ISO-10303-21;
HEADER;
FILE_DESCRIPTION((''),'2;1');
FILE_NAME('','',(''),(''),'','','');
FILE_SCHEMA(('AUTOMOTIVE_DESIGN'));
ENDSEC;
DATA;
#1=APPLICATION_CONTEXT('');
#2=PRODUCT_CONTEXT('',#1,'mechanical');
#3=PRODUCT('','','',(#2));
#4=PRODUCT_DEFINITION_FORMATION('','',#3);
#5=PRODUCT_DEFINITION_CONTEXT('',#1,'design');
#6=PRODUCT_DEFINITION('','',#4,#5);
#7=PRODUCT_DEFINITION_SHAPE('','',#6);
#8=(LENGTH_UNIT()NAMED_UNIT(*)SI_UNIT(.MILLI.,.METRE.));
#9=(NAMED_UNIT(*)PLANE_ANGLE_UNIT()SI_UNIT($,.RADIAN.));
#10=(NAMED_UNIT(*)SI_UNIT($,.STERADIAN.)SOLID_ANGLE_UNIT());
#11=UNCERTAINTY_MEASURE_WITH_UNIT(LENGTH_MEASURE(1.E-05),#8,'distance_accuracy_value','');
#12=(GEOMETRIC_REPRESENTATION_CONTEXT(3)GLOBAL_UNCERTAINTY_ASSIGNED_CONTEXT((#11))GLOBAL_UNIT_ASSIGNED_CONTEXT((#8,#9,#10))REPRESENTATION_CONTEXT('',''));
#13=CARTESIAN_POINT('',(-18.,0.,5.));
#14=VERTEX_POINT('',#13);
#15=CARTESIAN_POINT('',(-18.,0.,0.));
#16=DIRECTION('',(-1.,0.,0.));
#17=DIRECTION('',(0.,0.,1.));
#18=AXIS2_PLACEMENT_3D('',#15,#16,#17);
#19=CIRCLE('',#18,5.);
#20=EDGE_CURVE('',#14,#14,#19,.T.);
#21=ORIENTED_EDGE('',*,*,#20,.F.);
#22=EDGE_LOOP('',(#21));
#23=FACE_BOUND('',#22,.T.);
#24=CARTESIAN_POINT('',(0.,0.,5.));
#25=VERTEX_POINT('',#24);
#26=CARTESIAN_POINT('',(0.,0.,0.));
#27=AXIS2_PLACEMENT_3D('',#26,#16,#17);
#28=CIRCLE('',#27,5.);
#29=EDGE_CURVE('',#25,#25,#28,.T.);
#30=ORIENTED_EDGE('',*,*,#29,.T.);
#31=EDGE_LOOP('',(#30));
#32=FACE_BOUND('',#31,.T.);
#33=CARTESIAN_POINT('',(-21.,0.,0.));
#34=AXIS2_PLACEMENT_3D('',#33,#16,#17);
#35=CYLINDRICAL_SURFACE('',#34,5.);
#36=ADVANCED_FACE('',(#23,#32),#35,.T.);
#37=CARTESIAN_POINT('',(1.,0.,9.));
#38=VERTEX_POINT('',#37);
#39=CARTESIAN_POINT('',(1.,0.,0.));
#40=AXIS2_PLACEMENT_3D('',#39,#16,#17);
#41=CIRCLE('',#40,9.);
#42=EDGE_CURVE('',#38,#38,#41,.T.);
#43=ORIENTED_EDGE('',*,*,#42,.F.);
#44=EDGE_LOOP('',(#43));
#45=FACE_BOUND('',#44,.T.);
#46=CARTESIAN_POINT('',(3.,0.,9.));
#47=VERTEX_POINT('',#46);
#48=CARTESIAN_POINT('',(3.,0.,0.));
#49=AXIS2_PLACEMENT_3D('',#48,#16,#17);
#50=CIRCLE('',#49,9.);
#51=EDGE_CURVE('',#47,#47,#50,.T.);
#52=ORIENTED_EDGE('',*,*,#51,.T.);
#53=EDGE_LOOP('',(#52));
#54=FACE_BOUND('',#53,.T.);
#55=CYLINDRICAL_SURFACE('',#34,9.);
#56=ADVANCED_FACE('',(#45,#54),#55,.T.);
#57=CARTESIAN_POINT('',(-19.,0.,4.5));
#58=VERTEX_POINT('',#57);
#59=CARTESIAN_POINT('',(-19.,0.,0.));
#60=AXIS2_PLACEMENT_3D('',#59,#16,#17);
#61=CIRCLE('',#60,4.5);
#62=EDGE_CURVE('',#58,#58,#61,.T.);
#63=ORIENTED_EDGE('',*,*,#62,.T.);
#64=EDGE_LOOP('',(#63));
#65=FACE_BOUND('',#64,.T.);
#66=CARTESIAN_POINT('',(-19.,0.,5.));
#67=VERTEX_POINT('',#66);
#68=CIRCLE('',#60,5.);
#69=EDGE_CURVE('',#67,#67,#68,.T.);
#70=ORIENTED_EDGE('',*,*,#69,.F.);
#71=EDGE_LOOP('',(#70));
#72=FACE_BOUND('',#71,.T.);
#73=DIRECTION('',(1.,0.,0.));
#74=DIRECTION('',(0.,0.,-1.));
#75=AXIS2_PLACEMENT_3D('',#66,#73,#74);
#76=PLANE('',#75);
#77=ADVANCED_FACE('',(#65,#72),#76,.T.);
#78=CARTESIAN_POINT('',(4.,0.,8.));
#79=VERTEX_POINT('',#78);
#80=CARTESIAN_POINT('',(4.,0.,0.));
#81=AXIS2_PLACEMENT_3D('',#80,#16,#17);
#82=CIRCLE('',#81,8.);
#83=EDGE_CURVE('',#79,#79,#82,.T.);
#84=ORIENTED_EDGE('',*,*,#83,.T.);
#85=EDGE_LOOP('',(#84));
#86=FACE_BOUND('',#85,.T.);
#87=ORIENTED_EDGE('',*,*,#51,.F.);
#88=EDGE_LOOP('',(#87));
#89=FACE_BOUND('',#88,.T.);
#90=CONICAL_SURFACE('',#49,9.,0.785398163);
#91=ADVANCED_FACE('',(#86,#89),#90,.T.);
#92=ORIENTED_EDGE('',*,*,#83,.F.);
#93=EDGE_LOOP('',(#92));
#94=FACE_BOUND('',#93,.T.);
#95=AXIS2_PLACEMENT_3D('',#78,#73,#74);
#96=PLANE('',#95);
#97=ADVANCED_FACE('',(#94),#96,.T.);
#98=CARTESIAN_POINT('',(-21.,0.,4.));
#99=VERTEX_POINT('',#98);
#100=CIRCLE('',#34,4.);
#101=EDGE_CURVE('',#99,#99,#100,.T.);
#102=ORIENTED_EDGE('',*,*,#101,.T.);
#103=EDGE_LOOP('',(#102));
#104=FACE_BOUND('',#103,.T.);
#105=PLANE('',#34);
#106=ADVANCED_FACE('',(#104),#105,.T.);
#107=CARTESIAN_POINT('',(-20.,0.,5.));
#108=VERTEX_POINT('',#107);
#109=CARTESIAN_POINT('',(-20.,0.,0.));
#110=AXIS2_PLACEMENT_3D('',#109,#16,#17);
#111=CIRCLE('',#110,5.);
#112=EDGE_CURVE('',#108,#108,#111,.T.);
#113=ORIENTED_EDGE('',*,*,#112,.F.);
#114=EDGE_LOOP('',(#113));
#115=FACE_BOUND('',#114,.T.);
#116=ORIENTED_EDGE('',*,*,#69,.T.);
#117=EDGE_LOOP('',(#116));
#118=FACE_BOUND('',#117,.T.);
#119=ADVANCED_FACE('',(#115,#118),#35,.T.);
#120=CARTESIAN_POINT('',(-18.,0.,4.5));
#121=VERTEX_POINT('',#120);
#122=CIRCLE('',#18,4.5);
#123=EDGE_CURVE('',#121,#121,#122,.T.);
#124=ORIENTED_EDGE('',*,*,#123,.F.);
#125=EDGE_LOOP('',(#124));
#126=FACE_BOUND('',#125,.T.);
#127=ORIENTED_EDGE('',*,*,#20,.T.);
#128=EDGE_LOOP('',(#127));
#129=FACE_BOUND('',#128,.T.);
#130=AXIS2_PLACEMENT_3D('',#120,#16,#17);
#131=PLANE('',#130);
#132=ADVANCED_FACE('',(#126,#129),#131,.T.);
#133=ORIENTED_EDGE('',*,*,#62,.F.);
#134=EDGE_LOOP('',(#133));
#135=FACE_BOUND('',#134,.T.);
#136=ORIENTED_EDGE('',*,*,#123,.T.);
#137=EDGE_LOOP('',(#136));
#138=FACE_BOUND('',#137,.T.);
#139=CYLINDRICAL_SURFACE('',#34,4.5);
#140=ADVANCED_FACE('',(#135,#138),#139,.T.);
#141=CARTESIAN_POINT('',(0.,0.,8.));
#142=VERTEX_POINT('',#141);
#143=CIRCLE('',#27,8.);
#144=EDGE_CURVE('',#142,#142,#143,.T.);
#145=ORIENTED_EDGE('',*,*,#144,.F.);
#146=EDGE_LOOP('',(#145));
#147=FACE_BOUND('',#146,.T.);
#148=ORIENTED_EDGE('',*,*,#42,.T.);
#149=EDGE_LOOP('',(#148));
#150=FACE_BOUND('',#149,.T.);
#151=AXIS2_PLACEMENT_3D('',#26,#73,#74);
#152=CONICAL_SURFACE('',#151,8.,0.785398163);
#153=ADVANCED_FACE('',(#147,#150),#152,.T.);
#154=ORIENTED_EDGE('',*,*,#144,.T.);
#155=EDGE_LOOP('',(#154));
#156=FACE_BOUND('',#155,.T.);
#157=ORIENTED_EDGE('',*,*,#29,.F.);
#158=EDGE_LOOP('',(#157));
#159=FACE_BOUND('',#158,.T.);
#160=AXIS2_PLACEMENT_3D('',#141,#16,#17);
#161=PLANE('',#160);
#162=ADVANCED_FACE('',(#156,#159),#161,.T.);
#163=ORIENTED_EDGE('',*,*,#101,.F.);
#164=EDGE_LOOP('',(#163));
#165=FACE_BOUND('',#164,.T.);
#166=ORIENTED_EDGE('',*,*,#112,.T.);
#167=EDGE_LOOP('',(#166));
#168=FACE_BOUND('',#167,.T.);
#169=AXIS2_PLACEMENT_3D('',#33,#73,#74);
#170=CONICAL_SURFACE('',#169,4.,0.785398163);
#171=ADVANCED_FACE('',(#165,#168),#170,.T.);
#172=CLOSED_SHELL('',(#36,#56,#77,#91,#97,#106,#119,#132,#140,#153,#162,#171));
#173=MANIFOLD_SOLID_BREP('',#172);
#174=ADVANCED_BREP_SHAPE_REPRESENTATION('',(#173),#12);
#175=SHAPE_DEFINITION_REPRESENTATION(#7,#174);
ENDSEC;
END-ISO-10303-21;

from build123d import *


with BuildPart() as part:
    # Sketch1 → Revolve1 (revolve)
    with BuildSketch(Plane(origin=(0, 0, 0), x_dir=(-1, 0, 0), z_dir=(0, 1, 0))):
        Polygon((-1, 9), (-3, 9), (-4, 8), (-4, 0), (21, 0), (21, 4), (20, 5), (19, 5), (19, 4.5), (18, 4.5), (18, 5), (0, 5), (0, 8), align=None)
    revolve(axis=Axis((-21, 0, 0), (1, 0, 0)))


solid = part.part
